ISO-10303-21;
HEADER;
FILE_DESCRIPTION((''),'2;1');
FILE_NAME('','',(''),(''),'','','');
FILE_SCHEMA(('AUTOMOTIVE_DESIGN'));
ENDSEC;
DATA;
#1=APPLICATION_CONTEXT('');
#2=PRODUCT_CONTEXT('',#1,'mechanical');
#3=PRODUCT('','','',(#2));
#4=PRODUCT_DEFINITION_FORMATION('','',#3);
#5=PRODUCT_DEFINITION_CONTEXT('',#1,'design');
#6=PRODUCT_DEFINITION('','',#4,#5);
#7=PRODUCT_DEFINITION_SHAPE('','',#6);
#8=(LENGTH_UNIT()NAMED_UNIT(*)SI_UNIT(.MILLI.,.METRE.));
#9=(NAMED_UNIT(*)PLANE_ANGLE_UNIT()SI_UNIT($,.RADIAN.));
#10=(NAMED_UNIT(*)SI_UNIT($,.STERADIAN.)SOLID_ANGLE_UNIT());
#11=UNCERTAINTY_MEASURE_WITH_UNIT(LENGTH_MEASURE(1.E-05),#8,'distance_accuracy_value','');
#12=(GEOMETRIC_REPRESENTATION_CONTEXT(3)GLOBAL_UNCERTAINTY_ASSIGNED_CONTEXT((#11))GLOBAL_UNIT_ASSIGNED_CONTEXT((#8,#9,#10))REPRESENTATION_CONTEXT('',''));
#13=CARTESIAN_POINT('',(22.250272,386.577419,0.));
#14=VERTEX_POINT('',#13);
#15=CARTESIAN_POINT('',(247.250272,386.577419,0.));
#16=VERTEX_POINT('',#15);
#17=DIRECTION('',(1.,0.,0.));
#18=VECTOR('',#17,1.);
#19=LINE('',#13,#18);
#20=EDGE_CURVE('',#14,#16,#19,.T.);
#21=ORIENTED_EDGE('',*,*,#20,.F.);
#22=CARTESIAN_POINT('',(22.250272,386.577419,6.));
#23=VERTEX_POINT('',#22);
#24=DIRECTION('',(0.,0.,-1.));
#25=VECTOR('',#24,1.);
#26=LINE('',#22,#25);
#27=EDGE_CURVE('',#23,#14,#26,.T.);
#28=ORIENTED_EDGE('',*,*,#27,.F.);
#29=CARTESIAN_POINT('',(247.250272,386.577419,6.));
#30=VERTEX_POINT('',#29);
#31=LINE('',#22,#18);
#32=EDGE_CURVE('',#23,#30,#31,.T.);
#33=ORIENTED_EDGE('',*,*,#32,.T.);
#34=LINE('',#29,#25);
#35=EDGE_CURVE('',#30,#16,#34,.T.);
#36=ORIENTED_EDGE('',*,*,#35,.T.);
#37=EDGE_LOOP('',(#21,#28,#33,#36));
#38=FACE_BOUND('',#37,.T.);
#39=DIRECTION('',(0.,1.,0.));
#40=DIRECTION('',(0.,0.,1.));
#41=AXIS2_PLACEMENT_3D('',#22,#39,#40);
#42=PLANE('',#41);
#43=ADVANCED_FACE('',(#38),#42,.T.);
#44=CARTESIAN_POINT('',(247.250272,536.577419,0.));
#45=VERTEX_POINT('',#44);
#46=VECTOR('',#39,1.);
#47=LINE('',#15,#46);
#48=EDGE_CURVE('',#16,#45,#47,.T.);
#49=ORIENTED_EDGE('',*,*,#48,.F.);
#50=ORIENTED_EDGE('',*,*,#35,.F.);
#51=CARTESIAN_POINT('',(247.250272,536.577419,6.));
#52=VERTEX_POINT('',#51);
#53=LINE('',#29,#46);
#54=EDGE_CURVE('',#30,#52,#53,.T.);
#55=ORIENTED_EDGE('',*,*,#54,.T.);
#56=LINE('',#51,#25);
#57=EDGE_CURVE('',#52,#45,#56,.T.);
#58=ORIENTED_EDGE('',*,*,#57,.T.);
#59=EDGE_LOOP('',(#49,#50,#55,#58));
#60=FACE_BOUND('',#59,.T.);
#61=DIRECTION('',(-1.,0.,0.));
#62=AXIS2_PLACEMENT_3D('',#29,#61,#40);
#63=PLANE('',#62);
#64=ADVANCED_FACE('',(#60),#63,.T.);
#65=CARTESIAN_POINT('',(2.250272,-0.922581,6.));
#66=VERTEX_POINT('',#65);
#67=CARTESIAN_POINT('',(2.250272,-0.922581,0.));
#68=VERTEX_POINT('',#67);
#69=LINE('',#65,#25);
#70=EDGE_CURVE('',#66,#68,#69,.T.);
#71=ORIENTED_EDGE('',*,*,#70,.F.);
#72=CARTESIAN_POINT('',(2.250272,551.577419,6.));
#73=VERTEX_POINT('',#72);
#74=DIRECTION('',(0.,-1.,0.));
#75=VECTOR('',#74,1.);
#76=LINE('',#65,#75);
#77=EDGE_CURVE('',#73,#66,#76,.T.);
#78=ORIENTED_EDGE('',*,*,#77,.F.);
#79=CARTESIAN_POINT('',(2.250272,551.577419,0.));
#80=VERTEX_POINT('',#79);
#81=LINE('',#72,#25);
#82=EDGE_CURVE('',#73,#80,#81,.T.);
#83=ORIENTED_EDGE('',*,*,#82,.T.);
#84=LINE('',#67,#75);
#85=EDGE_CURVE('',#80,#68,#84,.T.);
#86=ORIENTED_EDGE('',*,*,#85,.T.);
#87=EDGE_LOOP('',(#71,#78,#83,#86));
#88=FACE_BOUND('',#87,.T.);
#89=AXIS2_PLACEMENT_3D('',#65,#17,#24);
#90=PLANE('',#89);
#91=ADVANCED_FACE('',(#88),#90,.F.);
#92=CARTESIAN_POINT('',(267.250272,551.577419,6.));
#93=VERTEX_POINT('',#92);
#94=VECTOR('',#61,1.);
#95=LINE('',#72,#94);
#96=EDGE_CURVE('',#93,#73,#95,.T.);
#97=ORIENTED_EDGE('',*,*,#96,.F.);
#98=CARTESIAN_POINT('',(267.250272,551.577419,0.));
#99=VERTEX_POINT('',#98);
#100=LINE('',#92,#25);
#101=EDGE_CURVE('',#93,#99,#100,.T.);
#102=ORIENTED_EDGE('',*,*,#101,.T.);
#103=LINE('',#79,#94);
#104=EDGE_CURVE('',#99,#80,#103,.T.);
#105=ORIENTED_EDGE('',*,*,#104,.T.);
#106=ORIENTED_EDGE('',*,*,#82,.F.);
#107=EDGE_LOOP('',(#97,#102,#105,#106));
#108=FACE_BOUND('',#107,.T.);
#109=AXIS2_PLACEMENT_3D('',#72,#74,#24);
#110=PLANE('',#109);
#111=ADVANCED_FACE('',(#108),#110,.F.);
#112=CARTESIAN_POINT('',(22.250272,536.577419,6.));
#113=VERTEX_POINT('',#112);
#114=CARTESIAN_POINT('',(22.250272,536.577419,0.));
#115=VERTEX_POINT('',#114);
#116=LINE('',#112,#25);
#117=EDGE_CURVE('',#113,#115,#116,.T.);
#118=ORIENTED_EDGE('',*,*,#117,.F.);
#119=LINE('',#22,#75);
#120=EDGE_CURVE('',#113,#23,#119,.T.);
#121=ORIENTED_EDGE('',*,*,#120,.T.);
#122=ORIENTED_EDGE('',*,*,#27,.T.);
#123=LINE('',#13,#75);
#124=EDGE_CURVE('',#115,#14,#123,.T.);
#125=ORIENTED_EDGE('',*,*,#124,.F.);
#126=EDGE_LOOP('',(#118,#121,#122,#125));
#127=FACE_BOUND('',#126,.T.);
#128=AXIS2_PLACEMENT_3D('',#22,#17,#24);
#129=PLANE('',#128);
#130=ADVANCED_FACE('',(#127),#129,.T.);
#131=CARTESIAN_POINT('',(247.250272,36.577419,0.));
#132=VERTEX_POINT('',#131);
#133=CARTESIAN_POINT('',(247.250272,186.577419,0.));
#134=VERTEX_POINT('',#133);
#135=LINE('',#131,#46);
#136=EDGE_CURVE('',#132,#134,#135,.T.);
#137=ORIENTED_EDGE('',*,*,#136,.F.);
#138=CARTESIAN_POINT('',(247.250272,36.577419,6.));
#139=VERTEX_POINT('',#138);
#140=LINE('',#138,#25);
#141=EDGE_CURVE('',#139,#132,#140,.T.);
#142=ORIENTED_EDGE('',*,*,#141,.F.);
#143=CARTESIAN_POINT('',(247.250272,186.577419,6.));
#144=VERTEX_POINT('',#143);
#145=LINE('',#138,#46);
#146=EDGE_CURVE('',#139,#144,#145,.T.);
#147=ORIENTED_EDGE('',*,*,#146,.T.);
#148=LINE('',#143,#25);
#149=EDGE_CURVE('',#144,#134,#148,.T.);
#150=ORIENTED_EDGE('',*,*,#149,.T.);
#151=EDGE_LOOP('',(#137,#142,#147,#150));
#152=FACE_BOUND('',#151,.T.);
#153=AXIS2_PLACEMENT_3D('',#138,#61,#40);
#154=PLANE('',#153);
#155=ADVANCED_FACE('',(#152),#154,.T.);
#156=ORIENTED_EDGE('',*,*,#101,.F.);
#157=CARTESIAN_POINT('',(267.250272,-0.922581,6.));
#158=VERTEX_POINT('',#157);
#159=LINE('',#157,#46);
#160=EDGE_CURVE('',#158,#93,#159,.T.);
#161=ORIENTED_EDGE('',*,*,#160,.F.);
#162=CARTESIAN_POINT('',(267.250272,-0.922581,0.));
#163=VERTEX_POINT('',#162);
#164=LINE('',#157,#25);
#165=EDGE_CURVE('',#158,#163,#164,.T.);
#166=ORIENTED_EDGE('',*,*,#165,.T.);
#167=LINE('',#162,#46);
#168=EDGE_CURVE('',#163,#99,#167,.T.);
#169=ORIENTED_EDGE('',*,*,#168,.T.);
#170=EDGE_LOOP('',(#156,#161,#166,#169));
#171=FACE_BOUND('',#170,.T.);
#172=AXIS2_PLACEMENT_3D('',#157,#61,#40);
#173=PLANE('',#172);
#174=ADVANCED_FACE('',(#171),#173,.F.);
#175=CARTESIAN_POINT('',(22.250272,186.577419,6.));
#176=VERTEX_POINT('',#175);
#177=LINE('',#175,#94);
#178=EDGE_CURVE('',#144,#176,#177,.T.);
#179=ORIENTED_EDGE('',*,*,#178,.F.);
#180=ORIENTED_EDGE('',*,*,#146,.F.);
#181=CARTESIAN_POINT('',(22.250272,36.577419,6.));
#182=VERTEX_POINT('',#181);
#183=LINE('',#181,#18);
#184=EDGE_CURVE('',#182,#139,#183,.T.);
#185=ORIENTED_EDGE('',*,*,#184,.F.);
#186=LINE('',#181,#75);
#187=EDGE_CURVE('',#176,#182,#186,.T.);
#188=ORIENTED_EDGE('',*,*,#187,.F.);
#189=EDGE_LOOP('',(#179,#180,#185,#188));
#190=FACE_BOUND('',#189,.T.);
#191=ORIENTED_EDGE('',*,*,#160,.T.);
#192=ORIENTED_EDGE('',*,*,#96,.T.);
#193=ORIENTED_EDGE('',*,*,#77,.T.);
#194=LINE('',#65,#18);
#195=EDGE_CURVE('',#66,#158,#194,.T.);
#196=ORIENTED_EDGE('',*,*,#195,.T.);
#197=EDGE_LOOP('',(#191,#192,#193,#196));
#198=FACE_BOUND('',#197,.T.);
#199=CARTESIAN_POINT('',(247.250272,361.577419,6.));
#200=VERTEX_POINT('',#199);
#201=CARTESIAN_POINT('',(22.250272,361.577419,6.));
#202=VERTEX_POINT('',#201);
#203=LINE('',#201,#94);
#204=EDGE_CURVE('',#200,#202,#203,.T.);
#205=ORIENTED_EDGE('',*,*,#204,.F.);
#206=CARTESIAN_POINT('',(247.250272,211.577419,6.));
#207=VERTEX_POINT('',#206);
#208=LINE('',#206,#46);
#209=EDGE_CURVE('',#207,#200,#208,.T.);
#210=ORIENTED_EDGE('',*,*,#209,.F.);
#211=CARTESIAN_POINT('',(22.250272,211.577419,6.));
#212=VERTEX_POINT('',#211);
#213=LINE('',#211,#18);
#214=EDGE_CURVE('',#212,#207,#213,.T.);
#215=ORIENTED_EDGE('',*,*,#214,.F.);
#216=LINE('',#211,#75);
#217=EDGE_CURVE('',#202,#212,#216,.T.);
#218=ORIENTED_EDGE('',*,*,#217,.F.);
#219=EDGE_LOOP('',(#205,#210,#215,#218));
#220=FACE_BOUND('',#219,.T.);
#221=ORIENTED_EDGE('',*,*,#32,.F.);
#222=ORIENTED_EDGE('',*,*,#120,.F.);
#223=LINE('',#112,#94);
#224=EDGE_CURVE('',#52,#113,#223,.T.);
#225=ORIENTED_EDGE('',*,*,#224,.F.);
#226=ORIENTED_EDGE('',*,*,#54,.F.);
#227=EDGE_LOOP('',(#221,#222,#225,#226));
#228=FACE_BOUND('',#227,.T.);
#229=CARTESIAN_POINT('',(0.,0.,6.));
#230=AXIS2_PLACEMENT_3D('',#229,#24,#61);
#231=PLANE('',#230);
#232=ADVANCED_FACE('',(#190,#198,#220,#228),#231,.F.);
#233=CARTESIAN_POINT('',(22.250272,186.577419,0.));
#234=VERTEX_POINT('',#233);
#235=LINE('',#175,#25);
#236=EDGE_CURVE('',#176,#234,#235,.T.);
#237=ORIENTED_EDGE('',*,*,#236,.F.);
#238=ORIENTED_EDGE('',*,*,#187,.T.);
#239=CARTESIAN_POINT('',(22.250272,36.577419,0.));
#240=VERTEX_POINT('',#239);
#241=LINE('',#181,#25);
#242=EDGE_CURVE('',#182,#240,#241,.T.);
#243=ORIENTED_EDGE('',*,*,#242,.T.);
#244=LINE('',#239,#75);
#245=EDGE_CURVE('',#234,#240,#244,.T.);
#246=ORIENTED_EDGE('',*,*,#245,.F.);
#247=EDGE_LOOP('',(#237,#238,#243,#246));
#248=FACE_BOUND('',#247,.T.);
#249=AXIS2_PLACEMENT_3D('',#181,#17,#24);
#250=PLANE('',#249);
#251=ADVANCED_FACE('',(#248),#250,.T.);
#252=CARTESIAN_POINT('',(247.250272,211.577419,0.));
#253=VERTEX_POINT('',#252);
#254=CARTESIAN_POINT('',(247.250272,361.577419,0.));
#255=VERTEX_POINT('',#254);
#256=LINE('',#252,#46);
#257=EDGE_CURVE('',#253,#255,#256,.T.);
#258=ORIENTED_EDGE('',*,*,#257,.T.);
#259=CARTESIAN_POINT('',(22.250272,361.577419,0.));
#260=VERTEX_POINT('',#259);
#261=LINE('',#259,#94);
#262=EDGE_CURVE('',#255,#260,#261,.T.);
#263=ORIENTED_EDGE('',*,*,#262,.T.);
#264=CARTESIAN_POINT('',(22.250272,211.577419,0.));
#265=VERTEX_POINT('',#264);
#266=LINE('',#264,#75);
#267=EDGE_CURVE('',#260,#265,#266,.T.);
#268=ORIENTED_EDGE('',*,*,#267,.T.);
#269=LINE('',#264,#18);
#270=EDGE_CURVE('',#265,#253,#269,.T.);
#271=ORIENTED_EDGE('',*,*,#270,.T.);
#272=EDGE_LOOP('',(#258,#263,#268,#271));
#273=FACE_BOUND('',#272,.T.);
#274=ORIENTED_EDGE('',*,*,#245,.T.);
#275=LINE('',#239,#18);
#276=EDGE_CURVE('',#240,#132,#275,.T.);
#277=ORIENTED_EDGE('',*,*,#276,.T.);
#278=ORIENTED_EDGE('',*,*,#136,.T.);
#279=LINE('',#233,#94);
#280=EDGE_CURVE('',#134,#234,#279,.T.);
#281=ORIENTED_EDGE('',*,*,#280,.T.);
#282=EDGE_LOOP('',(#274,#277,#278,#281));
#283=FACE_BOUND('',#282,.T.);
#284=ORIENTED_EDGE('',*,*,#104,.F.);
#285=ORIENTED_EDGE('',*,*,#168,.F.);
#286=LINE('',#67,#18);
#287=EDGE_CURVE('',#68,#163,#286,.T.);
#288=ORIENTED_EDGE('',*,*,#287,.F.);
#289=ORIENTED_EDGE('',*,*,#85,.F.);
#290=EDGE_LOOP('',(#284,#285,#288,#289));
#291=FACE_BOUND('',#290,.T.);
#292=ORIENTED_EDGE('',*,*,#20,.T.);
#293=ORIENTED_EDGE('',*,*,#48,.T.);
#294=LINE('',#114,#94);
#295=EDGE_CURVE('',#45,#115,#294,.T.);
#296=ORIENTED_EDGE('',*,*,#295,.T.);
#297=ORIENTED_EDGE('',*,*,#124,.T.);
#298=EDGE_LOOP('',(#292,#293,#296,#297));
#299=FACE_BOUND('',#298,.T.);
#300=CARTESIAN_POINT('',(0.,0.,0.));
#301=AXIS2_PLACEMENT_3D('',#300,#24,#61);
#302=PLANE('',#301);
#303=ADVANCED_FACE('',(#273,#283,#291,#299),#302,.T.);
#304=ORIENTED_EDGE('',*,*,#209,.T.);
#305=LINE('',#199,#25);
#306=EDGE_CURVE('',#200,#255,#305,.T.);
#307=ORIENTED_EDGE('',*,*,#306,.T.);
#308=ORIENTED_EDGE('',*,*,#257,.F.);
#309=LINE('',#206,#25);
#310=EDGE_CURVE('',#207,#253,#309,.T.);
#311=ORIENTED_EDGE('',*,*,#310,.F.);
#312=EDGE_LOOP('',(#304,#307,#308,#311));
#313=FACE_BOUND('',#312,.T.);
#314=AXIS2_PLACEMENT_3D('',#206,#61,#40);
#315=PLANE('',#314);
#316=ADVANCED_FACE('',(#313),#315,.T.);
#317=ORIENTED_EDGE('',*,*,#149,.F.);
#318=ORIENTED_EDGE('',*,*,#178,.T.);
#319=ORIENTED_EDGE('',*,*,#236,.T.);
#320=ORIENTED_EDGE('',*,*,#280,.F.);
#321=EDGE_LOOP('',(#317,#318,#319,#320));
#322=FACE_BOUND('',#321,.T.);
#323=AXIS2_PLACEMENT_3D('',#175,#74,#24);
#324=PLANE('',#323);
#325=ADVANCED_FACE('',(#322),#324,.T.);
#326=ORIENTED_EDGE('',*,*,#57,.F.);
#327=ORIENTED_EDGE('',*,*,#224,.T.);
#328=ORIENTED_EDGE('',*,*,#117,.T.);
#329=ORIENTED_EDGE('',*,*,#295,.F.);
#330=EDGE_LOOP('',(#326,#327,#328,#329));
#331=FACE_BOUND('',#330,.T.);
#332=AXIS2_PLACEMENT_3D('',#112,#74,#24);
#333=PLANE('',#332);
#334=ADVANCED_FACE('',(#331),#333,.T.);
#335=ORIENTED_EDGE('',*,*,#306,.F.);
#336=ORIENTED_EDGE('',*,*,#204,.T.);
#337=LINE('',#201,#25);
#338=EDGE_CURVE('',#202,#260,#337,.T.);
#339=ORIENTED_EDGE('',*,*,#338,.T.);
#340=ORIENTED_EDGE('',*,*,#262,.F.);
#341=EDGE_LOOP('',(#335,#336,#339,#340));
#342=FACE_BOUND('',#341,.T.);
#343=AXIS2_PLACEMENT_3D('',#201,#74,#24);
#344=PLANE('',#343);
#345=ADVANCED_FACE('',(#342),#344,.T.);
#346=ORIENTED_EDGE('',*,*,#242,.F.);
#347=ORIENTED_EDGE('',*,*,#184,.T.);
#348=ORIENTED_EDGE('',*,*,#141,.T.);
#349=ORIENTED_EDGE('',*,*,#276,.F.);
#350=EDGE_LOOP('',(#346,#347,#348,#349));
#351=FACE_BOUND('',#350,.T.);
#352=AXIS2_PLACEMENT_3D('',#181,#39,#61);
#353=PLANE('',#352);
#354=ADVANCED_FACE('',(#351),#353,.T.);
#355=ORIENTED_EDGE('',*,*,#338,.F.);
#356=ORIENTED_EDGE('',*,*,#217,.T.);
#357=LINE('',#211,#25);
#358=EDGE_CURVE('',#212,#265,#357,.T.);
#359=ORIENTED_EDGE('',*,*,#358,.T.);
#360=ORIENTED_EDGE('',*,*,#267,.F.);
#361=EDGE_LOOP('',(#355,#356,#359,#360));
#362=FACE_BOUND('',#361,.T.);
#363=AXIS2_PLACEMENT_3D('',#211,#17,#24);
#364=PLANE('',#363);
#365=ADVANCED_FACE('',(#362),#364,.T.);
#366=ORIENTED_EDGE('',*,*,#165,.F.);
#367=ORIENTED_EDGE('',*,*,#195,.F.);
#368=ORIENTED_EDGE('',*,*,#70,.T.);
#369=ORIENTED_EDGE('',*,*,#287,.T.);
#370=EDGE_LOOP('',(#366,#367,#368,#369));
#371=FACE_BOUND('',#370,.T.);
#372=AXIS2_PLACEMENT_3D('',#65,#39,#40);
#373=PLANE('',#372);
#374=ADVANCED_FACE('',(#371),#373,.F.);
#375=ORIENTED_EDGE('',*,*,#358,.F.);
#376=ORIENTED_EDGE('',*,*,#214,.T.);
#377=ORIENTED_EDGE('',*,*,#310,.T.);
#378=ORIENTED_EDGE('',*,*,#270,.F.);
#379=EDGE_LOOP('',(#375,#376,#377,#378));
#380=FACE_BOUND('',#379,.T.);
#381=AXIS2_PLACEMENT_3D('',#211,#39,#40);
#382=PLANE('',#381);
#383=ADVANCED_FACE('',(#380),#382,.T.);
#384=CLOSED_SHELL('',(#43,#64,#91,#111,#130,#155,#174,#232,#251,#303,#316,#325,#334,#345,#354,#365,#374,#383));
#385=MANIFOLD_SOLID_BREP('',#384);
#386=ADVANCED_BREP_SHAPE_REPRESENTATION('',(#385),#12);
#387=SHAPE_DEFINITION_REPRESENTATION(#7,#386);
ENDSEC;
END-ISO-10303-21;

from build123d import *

# Parameters (mm, degrees)
ESBO_O1_W                = 265
ESBO_O1_H                = 552.5
ESBO_O1_W_2              = 225
ESBO_O1_H_2              = 150
RESSALTO_EXTRUS_O1_DEPTH = 6


with BuildPart() as part:
    # Esboço1 → Ressalto-extrusão1 (new body)
    with BuildSketch(Plane.XY):
        with Locations((134.750272405, 275.327419224)):
            Rectangle(ESBO_O1_W, ESBO_O1_H)
        with Locations((134.750272405, 286.577419224)):
            Rectangle(ESBO_O1_W_2, ESBO_O1_H_2, mode=Mode.SUBTRACT)
        with Locations((134.750272405, 111.577419224)):
            Rectangle(ESBO_O1_W_2, ESBO_O1_H_2, mode=Mode.SUBTRACT)
        with Locations((134.750272405, 461.577419224)):
            Rectangle(ESBO_O1_W_2, ESBO_O1_H_2, mode=Mode.SUBTRACT)
    extrude(amount=RESSALTO_EXTRUS_O1_DEPTH)


solid = part.part
